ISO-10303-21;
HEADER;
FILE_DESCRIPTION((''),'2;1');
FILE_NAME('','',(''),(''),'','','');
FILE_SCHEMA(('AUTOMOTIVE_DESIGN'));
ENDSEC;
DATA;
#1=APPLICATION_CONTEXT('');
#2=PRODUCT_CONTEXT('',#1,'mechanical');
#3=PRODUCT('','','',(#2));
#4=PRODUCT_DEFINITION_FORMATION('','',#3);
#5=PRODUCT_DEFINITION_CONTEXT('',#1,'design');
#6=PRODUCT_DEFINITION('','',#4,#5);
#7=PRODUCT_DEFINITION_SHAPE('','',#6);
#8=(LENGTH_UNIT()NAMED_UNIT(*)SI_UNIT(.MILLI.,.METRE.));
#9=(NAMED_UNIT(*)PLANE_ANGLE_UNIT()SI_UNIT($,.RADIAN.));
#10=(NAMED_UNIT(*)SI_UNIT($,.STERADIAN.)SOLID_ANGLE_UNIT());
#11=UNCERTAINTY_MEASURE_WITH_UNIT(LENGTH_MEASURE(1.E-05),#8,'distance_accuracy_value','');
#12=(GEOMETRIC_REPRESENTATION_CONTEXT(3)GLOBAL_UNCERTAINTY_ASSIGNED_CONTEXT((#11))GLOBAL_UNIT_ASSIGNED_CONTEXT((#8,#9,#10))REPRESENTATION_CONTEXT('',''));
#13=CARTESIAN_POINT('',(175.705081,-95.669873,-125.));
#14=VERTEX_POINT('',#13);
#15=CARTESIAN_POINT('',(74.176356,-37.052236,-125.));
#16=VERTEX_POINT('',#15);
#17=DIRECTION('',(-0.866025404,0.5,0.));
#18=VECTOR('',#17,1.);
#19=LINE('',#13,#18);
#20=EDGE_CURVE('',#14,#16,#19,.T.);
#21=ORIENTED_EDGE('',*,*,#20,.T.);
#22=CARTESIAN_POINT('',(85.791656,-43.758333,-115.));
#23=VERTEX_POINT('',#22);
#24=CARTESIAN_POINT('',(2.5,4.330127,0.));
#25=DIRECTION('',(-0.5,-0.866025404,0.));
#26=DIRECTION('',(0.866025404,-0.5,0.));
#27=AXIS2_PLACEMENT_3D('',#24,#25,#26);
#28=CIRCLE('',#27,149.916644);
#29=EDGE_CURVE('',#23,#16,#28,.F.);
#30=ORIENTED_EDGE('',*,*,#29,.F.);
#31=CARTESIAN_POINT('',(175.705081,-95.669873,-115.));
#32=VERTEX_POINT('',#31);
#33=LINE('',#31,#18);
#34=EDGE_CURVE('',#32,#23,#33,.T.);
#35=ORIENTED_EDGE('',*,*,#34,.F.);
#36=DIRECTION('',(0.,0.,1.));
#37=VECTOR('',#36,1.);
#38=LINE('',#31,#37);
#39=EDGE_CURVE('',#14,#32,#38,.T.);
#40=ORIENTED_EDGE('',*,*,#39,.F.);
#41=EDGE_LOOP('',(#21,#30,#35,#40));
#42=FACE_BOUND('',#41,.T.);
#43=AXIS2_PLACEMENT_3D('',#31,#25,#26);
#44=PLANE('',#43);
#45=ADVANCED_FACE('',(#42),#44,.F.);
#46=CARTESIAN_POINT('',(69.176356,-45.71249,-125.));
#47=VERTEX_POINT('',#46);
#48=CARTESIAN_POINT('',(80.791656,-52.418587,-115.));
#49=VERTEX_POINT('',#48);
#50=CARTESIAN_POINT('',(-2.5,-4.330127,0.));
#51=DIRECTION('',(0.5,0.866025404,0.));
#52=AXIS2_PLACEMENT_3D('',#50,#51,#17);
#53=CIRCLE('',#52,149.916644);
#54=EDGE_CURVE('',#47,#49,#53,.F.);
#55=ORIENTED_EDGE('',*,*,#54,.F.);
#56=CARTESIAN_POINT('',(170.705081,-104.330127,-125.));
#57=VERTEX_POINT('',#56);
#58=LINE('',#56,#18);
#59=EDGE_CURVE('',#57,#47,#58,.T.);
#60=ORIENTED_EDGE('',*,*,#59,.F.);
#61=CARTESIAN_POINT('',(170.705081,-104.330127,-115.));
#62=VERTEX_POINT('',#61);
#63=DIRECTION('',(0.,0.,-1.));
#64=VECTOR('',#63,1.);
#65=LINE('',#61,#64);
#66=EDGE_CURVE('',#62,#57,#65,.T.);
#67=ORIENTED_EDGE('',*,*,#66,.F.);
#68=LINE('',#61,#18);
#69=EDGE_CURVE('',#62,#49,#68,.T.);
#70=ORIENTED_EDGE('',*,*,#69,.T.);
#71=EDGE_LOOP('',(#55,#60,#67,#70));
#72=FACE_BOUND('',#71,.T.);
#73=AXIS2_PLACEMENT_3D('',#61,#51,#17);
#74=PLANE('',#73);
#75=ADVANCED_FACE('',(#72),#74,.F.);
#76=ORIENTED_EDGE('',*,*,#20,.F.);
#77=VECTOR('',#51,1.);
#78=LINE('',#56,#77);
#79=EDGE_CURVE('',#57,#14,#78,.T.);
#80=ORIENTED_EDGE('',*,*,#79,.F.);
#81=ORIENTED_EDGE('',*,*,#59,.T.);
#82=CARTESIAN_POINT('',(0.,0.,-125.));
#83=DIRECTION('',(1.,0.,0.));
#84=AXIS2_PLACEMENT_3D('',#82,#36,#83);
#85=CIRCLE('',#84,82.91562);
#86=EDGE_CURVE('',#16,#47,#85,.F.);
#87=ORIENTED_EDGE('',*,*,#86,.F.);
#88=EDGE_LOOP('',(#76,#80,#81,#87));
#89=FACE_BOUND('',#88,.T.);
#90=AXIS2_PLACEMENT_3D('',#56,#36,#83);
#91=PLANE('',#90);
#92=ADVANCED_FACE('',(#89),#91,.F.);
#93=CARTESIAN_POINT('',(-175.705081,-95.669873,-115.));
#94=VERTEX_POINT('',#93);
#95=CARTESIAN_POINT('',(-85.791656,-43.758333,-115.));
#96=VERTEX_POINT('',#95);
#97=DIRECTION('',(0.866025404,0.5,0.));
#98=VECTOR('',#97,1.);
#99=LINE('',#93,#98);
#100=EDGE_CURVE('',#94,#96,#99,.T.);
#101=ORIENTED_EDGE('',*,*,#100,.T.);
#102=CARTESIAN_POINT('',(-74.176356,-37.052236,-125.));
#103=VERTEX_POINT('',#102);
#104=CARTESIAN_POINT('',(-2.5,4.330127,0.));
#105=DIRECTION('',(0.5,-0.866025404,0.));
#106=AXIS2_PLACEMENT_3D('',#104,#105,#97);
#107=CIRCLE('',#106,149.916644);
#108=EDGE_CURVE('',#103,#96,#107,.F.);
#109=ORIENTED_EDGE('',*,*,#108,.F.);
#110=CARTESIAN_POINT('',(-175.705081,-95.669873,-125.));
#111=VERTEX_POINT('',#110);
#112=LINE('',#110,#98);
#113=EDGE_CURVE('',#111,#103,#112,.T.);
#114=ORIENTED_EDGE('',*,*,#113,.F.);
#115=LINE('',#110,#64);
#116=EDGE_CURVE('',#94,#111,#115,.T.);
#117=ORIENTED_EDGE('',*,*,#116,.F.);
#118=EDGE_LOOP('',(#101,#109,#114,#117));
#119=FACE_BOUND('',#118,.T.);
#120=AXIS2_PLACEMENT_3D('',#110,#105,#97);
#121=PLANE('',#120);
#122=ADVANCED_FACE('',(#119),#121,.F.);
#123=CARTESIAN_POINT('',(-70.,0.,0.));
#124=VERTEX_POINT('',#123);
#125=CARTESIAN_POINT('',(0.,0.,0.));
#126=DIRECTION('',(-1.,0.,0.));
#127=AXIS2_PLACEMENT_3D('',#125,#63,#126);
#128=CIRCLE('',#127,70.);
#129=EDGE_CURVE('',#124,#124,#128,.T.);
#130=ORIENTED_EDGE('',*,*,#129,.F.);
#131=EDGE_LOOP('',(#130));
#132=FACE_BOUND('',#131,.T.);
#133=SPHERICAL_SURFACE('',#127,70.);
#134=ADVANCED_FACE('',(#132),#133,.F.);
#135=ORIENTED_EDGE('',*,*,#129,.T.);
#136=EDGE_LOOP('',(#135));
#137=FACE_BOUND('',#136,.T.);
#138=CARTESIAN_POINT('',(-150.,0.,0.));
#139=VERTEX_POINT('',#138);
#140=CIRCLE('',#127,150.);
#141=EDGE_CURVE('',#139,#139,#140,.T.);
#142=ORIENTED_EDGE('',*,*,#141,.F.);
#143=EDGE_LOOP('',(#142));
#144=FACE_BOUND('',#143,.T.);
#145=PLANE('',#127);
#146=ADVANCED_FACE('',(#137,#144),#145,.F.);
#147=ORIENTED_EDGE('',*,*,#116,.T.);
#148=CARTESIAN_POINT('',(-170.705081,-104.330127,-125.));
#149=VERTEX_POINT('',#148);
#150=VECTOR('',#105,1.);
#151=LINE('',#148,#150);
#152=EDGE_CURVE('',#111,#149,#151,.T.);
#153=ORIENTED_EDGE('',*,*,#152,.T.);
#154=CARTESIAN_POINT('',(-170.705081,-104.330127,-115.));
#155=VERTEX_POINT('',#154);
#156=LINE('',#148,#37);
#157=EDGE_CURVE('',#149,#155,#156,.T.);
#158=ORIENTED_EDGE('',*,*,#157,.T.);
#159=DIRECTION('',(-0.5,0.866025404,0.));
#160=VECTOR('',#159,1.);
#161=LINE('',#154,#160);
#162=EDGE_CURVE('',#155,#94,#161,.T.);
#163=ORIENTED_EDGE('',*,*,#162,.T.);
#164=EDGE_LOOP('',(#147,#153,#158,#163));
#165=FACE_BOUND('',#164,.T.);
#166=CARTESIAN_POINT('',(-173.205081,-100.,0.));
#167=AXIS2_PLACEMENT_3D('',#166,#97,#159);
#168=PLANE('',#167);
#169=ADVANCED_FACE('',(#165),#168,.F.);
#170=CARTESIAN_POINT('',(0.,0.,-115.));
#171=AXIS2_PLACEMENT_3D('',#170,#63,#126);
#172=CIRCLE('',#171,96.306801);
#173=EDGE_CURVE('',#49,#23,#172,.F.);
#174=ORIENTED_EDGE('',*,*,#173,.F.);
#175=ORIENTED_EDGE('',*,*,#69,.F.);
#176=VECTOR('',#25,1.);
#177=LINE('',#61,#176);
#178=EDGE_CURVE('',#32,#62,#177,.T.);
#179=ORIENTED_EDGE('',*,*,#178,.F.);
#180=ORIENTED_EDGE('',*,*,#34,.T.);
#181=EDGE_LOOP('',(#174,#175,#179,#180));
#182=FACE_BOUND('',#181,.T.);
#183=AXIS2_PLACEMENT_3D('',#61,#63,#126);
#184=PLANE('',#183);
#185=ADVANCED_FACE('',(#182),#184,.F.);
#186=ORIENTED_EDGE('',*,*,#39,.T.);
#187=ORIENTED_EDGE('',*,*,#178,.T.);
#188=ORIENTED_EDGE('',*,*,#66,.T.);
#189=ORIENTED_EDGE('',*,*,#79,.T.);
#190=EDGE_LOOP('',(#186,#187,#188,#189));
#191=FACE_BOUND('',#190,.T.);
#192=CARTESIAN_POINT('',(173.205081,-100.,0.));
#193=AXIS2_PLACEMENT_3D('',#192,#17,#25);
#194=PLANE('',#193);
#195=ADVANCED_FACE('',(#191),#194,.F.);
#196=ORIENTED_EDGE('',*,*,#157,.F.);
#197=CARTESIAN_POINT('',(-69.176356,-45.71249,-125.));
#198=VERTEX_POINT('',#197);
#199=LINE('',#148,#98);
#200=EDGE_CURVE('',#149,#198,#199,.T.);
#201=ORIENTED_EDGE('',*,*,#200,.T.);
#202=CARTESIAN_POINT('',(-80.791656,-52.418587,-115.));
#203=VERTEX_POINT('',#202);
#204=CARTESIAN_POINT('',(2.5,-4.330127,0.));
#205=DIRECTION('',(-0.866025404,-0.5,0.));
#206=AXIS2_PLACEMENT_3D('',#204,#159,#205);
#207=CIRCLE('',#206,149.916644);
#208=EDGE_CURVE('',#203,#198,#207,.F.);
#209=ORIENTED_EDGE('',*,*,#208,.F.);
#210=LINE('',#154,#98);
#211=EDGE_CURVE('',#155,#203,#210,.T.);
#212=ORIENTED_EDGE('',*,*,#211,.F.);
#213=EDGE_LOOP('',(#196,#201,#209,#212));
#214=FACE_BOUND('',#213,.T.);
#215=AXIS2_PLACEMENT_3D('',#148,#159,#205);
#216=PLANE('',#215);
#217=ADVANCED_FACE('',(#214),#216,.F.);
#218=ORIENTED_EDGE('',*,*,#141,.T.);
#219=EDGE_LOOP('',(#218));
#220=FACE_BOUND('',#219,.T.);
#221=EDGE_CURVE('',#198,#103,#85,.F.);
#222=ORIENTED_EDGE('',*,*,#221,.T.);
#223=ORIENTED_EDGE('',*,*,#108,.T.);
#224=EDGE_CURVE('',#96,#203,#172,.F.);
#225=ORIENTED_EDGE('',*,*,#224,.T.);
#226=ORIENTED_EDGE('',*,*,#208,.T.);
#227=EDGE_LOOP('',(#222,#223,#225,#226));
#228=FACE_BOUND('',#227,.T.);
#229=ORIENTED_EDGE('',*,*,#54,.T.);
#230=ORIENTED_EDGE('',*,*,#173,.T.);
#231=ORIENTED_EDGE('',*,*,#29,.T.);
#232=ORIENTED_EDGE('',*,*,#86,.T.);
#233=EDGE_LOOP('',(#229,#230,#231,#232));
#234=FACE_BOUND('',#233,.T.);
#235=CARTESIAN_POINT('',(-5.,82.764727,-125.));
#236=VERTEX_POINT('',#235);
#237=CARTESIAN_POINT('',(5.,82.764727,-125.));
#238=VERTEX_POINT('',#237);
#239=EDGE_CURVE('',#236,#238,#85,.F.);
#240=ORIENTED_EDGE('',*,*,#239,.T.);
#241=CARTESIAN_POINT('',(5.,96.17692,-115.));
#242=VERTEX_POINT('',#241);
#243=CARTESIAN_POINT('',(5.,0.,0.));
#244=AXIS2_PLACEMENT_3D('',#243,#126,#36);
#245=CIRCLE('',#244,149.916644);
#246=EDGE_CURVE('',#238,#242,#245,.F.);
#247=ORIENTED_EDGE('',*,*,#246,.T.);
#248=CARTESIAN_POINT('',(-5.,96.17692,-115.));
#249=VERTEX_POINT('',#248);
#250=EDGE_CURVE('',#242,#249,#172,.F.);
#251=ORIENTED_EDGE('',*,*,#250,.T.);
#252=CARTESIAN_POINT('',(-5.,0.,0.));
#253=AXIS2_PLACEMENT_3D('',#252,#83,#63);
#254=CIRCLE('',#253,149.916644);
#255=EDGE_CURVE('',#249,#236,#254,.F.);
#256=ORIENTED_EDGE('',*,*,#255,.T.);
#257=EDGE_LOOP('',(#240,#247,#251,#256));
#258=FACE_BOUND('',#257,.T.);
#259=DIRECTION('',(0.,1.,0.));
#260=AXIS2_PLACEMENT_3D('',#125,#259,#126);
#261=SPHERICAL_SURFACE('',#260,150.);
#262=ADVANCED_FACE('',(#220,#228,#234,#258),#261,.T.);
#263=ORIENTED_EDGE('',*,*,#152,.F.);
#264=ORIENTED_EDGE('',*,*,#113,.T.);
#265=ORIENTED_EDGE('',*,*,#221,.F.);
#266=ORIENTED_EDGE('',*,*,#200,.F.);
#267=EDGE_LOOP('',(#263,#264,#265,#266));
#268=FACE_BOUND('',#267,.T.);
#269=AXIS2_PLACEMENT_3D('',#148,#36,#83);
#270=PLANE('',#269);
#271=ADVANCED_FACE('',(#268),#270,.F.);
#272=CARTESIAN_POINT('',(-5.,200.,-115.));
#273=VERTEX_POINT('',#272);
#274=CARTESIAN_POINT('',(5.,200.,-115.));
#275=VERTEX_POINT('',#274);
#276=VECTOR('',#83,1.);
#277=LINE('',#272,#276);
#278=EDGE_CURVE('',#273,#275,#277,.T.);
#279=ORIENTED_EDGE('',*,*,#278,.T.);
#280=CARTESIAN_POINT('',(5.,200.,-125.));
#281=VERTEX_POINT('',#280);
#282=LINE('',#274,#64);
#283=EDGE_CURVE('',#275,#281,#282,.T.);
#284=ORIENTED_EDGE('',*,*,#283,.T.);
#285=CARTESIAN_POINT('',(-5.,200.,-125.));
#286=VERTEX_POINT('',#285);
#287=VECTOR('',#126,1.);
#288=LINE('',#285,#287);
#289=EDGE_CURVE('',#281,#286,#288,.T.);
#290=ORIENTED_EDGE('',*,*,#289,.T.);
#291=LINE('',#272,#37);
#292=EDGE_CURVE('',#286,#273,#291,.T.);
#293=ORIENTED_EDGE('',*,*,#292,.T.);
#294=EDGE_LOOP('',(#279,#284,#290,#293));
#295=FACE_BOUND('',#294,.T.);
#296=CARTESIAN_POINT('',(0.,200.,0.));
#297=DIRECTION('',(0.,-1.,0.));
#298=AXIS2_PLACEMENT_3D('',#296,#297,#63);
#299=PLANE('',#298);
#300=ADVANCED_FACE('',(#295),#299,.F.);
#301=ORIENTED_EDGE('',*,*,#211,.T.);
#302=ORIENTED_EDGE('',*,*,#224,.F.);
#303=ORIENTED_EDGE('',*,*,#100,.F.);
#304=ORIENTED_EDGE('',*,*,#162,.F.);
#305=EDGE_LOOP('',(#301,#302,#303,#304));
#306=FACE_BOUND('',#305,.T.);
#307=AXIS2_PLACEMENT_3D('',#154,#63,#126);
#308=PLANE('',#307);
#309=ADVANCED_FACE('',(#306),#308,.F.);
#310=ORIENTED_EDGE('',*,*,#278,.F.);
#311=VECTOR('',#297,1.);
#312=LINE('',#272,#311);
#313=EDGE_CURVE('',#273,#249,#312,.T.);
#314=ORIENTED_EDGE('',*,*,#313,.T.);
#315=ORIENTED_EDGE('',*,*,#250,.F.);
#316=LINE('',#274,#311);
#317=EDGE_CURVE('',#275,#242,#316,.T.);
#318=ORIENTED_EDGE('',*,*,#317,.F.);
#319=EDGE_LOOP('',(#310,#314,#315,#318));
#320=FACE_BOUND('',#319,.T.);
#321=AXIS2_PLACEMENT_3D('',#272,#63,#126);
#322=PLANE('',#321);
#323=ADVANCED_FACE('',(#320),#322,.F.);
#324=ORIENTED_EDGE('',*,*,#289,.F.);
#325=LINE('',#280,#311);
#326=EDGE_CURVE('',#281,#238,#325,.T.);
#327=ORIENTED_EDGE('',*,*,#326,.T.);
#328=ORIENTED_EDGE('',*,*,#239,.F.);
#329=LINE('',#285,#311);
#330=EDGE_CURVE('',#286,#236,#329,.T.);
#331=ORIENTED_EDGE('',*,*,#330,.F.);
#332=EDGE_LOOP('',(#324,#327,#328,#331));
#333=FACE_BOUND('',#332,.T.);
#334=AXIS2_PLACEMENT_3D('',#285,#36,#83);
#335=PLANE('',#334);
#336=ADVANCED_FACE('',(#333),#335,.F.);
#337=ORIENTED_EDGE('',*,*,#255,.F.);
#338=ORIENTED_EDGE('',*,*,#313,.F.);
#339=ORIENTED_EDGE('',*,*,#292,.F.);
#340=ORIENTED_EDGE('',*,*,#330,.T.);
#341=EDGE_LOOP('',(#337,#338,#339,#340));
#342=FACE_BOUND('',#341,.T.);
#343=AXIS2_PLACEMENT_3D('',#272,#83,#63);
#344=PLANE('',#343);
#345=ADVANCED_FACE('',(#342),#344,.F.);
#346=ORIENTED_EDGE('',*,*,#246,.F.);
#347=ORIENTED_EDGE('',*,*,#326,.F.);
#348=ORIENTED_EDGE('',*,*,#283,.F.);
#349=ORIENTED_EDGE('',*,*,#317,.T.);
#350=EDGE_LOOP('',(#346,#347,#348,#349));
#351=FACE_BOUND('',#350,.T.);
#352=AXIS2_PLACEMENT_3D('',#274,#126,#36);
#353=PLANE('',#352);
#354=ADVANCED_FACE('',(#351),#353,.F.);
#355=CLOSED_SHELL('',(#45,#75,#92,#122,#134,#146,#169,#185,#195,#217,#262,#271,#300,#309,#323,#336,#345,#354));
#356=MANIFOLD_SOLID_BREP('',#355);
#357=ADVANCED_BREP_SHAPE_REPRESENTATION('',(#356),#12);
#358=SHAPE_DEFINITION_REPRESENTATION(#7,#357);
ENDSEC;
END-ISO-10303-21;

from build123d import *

# Parameters (mm, degrees)
REVOLVE_1_ANGLE = 180
SKETCH_2_W      = 10
SKETCH_2_H      = 10
EXTRUDE_1_DEPTH = 200
SKETCH_5_W      = 10
SKETCH_5_H      = 10
EXTRUDE_3_DEPTH = 200
SKETCH_6_W      = 10
SKETCH_6_H      = 10
EXTRUDE_4_DEPTH = 200


with BuildPart() as part:
    # ｽｹｯﾁ1 → 回転1 (revolve)
    with BuildSketch(Plane.XY):
        with BuildLine():
            Line((0, 70), (0, 150))
            ThreePointArc((0, 150), (-150, 0), (0, -150))
            Line((0, -150), (0, -70))
            ThreePointArc((0, -70), (-70, 0), (0, 70))
        make_face()
    revolve(axis=Axis((0, 150, 0), (0, -1, 0)), revolution_arc=REVOLVE_1_ANGLE)

    # ｽｹｯﾁ2 → ﾎﾞｽ - 押し出し1 (add)
    with BuildSketch(Plane(origin=(0, 0, 0), x_dir=(1, 0, 0), z_dir=(0, 1, 0))):
        with Locations((0, 120)):
            Rectangle(SKETCH_2_W, SKETCH_2_H)
    extrude(amount=EXTRUDE_1_DEPTH)

    # ｽｹｯﾁ5 → ﾎﾞｽ - 押し出し3 (add)
    with BuildSketch(Plane(origin=(0, 0, 0), x_dir=(0, 0, -1), z_dir=(0.8660254037844364, -0.5000000000000041, 0))):
        with Locations((120, 0)):
            Rectangle(SKETCH_5_W, SKETCH_5_H)
    extrude(amount=EXTRUDE_3_DEPTH)

    # ｽｹｯﾁ6 → ﾎﾞｽ - 押し出し4 (add)
    with BuildSketch(Plane(origin=(0, 0, 0), x_dir=(0, 0, -1), z_dir=(-0.8660254037844434, -0.49999999999999206, 0))):
        with Locations((120, 0)):
            Rectangle(SKETCH_6_W, SKETCH_6_H)
    extrude(amount=EXTRUDE_4_DEPTH)


solid = part.part
